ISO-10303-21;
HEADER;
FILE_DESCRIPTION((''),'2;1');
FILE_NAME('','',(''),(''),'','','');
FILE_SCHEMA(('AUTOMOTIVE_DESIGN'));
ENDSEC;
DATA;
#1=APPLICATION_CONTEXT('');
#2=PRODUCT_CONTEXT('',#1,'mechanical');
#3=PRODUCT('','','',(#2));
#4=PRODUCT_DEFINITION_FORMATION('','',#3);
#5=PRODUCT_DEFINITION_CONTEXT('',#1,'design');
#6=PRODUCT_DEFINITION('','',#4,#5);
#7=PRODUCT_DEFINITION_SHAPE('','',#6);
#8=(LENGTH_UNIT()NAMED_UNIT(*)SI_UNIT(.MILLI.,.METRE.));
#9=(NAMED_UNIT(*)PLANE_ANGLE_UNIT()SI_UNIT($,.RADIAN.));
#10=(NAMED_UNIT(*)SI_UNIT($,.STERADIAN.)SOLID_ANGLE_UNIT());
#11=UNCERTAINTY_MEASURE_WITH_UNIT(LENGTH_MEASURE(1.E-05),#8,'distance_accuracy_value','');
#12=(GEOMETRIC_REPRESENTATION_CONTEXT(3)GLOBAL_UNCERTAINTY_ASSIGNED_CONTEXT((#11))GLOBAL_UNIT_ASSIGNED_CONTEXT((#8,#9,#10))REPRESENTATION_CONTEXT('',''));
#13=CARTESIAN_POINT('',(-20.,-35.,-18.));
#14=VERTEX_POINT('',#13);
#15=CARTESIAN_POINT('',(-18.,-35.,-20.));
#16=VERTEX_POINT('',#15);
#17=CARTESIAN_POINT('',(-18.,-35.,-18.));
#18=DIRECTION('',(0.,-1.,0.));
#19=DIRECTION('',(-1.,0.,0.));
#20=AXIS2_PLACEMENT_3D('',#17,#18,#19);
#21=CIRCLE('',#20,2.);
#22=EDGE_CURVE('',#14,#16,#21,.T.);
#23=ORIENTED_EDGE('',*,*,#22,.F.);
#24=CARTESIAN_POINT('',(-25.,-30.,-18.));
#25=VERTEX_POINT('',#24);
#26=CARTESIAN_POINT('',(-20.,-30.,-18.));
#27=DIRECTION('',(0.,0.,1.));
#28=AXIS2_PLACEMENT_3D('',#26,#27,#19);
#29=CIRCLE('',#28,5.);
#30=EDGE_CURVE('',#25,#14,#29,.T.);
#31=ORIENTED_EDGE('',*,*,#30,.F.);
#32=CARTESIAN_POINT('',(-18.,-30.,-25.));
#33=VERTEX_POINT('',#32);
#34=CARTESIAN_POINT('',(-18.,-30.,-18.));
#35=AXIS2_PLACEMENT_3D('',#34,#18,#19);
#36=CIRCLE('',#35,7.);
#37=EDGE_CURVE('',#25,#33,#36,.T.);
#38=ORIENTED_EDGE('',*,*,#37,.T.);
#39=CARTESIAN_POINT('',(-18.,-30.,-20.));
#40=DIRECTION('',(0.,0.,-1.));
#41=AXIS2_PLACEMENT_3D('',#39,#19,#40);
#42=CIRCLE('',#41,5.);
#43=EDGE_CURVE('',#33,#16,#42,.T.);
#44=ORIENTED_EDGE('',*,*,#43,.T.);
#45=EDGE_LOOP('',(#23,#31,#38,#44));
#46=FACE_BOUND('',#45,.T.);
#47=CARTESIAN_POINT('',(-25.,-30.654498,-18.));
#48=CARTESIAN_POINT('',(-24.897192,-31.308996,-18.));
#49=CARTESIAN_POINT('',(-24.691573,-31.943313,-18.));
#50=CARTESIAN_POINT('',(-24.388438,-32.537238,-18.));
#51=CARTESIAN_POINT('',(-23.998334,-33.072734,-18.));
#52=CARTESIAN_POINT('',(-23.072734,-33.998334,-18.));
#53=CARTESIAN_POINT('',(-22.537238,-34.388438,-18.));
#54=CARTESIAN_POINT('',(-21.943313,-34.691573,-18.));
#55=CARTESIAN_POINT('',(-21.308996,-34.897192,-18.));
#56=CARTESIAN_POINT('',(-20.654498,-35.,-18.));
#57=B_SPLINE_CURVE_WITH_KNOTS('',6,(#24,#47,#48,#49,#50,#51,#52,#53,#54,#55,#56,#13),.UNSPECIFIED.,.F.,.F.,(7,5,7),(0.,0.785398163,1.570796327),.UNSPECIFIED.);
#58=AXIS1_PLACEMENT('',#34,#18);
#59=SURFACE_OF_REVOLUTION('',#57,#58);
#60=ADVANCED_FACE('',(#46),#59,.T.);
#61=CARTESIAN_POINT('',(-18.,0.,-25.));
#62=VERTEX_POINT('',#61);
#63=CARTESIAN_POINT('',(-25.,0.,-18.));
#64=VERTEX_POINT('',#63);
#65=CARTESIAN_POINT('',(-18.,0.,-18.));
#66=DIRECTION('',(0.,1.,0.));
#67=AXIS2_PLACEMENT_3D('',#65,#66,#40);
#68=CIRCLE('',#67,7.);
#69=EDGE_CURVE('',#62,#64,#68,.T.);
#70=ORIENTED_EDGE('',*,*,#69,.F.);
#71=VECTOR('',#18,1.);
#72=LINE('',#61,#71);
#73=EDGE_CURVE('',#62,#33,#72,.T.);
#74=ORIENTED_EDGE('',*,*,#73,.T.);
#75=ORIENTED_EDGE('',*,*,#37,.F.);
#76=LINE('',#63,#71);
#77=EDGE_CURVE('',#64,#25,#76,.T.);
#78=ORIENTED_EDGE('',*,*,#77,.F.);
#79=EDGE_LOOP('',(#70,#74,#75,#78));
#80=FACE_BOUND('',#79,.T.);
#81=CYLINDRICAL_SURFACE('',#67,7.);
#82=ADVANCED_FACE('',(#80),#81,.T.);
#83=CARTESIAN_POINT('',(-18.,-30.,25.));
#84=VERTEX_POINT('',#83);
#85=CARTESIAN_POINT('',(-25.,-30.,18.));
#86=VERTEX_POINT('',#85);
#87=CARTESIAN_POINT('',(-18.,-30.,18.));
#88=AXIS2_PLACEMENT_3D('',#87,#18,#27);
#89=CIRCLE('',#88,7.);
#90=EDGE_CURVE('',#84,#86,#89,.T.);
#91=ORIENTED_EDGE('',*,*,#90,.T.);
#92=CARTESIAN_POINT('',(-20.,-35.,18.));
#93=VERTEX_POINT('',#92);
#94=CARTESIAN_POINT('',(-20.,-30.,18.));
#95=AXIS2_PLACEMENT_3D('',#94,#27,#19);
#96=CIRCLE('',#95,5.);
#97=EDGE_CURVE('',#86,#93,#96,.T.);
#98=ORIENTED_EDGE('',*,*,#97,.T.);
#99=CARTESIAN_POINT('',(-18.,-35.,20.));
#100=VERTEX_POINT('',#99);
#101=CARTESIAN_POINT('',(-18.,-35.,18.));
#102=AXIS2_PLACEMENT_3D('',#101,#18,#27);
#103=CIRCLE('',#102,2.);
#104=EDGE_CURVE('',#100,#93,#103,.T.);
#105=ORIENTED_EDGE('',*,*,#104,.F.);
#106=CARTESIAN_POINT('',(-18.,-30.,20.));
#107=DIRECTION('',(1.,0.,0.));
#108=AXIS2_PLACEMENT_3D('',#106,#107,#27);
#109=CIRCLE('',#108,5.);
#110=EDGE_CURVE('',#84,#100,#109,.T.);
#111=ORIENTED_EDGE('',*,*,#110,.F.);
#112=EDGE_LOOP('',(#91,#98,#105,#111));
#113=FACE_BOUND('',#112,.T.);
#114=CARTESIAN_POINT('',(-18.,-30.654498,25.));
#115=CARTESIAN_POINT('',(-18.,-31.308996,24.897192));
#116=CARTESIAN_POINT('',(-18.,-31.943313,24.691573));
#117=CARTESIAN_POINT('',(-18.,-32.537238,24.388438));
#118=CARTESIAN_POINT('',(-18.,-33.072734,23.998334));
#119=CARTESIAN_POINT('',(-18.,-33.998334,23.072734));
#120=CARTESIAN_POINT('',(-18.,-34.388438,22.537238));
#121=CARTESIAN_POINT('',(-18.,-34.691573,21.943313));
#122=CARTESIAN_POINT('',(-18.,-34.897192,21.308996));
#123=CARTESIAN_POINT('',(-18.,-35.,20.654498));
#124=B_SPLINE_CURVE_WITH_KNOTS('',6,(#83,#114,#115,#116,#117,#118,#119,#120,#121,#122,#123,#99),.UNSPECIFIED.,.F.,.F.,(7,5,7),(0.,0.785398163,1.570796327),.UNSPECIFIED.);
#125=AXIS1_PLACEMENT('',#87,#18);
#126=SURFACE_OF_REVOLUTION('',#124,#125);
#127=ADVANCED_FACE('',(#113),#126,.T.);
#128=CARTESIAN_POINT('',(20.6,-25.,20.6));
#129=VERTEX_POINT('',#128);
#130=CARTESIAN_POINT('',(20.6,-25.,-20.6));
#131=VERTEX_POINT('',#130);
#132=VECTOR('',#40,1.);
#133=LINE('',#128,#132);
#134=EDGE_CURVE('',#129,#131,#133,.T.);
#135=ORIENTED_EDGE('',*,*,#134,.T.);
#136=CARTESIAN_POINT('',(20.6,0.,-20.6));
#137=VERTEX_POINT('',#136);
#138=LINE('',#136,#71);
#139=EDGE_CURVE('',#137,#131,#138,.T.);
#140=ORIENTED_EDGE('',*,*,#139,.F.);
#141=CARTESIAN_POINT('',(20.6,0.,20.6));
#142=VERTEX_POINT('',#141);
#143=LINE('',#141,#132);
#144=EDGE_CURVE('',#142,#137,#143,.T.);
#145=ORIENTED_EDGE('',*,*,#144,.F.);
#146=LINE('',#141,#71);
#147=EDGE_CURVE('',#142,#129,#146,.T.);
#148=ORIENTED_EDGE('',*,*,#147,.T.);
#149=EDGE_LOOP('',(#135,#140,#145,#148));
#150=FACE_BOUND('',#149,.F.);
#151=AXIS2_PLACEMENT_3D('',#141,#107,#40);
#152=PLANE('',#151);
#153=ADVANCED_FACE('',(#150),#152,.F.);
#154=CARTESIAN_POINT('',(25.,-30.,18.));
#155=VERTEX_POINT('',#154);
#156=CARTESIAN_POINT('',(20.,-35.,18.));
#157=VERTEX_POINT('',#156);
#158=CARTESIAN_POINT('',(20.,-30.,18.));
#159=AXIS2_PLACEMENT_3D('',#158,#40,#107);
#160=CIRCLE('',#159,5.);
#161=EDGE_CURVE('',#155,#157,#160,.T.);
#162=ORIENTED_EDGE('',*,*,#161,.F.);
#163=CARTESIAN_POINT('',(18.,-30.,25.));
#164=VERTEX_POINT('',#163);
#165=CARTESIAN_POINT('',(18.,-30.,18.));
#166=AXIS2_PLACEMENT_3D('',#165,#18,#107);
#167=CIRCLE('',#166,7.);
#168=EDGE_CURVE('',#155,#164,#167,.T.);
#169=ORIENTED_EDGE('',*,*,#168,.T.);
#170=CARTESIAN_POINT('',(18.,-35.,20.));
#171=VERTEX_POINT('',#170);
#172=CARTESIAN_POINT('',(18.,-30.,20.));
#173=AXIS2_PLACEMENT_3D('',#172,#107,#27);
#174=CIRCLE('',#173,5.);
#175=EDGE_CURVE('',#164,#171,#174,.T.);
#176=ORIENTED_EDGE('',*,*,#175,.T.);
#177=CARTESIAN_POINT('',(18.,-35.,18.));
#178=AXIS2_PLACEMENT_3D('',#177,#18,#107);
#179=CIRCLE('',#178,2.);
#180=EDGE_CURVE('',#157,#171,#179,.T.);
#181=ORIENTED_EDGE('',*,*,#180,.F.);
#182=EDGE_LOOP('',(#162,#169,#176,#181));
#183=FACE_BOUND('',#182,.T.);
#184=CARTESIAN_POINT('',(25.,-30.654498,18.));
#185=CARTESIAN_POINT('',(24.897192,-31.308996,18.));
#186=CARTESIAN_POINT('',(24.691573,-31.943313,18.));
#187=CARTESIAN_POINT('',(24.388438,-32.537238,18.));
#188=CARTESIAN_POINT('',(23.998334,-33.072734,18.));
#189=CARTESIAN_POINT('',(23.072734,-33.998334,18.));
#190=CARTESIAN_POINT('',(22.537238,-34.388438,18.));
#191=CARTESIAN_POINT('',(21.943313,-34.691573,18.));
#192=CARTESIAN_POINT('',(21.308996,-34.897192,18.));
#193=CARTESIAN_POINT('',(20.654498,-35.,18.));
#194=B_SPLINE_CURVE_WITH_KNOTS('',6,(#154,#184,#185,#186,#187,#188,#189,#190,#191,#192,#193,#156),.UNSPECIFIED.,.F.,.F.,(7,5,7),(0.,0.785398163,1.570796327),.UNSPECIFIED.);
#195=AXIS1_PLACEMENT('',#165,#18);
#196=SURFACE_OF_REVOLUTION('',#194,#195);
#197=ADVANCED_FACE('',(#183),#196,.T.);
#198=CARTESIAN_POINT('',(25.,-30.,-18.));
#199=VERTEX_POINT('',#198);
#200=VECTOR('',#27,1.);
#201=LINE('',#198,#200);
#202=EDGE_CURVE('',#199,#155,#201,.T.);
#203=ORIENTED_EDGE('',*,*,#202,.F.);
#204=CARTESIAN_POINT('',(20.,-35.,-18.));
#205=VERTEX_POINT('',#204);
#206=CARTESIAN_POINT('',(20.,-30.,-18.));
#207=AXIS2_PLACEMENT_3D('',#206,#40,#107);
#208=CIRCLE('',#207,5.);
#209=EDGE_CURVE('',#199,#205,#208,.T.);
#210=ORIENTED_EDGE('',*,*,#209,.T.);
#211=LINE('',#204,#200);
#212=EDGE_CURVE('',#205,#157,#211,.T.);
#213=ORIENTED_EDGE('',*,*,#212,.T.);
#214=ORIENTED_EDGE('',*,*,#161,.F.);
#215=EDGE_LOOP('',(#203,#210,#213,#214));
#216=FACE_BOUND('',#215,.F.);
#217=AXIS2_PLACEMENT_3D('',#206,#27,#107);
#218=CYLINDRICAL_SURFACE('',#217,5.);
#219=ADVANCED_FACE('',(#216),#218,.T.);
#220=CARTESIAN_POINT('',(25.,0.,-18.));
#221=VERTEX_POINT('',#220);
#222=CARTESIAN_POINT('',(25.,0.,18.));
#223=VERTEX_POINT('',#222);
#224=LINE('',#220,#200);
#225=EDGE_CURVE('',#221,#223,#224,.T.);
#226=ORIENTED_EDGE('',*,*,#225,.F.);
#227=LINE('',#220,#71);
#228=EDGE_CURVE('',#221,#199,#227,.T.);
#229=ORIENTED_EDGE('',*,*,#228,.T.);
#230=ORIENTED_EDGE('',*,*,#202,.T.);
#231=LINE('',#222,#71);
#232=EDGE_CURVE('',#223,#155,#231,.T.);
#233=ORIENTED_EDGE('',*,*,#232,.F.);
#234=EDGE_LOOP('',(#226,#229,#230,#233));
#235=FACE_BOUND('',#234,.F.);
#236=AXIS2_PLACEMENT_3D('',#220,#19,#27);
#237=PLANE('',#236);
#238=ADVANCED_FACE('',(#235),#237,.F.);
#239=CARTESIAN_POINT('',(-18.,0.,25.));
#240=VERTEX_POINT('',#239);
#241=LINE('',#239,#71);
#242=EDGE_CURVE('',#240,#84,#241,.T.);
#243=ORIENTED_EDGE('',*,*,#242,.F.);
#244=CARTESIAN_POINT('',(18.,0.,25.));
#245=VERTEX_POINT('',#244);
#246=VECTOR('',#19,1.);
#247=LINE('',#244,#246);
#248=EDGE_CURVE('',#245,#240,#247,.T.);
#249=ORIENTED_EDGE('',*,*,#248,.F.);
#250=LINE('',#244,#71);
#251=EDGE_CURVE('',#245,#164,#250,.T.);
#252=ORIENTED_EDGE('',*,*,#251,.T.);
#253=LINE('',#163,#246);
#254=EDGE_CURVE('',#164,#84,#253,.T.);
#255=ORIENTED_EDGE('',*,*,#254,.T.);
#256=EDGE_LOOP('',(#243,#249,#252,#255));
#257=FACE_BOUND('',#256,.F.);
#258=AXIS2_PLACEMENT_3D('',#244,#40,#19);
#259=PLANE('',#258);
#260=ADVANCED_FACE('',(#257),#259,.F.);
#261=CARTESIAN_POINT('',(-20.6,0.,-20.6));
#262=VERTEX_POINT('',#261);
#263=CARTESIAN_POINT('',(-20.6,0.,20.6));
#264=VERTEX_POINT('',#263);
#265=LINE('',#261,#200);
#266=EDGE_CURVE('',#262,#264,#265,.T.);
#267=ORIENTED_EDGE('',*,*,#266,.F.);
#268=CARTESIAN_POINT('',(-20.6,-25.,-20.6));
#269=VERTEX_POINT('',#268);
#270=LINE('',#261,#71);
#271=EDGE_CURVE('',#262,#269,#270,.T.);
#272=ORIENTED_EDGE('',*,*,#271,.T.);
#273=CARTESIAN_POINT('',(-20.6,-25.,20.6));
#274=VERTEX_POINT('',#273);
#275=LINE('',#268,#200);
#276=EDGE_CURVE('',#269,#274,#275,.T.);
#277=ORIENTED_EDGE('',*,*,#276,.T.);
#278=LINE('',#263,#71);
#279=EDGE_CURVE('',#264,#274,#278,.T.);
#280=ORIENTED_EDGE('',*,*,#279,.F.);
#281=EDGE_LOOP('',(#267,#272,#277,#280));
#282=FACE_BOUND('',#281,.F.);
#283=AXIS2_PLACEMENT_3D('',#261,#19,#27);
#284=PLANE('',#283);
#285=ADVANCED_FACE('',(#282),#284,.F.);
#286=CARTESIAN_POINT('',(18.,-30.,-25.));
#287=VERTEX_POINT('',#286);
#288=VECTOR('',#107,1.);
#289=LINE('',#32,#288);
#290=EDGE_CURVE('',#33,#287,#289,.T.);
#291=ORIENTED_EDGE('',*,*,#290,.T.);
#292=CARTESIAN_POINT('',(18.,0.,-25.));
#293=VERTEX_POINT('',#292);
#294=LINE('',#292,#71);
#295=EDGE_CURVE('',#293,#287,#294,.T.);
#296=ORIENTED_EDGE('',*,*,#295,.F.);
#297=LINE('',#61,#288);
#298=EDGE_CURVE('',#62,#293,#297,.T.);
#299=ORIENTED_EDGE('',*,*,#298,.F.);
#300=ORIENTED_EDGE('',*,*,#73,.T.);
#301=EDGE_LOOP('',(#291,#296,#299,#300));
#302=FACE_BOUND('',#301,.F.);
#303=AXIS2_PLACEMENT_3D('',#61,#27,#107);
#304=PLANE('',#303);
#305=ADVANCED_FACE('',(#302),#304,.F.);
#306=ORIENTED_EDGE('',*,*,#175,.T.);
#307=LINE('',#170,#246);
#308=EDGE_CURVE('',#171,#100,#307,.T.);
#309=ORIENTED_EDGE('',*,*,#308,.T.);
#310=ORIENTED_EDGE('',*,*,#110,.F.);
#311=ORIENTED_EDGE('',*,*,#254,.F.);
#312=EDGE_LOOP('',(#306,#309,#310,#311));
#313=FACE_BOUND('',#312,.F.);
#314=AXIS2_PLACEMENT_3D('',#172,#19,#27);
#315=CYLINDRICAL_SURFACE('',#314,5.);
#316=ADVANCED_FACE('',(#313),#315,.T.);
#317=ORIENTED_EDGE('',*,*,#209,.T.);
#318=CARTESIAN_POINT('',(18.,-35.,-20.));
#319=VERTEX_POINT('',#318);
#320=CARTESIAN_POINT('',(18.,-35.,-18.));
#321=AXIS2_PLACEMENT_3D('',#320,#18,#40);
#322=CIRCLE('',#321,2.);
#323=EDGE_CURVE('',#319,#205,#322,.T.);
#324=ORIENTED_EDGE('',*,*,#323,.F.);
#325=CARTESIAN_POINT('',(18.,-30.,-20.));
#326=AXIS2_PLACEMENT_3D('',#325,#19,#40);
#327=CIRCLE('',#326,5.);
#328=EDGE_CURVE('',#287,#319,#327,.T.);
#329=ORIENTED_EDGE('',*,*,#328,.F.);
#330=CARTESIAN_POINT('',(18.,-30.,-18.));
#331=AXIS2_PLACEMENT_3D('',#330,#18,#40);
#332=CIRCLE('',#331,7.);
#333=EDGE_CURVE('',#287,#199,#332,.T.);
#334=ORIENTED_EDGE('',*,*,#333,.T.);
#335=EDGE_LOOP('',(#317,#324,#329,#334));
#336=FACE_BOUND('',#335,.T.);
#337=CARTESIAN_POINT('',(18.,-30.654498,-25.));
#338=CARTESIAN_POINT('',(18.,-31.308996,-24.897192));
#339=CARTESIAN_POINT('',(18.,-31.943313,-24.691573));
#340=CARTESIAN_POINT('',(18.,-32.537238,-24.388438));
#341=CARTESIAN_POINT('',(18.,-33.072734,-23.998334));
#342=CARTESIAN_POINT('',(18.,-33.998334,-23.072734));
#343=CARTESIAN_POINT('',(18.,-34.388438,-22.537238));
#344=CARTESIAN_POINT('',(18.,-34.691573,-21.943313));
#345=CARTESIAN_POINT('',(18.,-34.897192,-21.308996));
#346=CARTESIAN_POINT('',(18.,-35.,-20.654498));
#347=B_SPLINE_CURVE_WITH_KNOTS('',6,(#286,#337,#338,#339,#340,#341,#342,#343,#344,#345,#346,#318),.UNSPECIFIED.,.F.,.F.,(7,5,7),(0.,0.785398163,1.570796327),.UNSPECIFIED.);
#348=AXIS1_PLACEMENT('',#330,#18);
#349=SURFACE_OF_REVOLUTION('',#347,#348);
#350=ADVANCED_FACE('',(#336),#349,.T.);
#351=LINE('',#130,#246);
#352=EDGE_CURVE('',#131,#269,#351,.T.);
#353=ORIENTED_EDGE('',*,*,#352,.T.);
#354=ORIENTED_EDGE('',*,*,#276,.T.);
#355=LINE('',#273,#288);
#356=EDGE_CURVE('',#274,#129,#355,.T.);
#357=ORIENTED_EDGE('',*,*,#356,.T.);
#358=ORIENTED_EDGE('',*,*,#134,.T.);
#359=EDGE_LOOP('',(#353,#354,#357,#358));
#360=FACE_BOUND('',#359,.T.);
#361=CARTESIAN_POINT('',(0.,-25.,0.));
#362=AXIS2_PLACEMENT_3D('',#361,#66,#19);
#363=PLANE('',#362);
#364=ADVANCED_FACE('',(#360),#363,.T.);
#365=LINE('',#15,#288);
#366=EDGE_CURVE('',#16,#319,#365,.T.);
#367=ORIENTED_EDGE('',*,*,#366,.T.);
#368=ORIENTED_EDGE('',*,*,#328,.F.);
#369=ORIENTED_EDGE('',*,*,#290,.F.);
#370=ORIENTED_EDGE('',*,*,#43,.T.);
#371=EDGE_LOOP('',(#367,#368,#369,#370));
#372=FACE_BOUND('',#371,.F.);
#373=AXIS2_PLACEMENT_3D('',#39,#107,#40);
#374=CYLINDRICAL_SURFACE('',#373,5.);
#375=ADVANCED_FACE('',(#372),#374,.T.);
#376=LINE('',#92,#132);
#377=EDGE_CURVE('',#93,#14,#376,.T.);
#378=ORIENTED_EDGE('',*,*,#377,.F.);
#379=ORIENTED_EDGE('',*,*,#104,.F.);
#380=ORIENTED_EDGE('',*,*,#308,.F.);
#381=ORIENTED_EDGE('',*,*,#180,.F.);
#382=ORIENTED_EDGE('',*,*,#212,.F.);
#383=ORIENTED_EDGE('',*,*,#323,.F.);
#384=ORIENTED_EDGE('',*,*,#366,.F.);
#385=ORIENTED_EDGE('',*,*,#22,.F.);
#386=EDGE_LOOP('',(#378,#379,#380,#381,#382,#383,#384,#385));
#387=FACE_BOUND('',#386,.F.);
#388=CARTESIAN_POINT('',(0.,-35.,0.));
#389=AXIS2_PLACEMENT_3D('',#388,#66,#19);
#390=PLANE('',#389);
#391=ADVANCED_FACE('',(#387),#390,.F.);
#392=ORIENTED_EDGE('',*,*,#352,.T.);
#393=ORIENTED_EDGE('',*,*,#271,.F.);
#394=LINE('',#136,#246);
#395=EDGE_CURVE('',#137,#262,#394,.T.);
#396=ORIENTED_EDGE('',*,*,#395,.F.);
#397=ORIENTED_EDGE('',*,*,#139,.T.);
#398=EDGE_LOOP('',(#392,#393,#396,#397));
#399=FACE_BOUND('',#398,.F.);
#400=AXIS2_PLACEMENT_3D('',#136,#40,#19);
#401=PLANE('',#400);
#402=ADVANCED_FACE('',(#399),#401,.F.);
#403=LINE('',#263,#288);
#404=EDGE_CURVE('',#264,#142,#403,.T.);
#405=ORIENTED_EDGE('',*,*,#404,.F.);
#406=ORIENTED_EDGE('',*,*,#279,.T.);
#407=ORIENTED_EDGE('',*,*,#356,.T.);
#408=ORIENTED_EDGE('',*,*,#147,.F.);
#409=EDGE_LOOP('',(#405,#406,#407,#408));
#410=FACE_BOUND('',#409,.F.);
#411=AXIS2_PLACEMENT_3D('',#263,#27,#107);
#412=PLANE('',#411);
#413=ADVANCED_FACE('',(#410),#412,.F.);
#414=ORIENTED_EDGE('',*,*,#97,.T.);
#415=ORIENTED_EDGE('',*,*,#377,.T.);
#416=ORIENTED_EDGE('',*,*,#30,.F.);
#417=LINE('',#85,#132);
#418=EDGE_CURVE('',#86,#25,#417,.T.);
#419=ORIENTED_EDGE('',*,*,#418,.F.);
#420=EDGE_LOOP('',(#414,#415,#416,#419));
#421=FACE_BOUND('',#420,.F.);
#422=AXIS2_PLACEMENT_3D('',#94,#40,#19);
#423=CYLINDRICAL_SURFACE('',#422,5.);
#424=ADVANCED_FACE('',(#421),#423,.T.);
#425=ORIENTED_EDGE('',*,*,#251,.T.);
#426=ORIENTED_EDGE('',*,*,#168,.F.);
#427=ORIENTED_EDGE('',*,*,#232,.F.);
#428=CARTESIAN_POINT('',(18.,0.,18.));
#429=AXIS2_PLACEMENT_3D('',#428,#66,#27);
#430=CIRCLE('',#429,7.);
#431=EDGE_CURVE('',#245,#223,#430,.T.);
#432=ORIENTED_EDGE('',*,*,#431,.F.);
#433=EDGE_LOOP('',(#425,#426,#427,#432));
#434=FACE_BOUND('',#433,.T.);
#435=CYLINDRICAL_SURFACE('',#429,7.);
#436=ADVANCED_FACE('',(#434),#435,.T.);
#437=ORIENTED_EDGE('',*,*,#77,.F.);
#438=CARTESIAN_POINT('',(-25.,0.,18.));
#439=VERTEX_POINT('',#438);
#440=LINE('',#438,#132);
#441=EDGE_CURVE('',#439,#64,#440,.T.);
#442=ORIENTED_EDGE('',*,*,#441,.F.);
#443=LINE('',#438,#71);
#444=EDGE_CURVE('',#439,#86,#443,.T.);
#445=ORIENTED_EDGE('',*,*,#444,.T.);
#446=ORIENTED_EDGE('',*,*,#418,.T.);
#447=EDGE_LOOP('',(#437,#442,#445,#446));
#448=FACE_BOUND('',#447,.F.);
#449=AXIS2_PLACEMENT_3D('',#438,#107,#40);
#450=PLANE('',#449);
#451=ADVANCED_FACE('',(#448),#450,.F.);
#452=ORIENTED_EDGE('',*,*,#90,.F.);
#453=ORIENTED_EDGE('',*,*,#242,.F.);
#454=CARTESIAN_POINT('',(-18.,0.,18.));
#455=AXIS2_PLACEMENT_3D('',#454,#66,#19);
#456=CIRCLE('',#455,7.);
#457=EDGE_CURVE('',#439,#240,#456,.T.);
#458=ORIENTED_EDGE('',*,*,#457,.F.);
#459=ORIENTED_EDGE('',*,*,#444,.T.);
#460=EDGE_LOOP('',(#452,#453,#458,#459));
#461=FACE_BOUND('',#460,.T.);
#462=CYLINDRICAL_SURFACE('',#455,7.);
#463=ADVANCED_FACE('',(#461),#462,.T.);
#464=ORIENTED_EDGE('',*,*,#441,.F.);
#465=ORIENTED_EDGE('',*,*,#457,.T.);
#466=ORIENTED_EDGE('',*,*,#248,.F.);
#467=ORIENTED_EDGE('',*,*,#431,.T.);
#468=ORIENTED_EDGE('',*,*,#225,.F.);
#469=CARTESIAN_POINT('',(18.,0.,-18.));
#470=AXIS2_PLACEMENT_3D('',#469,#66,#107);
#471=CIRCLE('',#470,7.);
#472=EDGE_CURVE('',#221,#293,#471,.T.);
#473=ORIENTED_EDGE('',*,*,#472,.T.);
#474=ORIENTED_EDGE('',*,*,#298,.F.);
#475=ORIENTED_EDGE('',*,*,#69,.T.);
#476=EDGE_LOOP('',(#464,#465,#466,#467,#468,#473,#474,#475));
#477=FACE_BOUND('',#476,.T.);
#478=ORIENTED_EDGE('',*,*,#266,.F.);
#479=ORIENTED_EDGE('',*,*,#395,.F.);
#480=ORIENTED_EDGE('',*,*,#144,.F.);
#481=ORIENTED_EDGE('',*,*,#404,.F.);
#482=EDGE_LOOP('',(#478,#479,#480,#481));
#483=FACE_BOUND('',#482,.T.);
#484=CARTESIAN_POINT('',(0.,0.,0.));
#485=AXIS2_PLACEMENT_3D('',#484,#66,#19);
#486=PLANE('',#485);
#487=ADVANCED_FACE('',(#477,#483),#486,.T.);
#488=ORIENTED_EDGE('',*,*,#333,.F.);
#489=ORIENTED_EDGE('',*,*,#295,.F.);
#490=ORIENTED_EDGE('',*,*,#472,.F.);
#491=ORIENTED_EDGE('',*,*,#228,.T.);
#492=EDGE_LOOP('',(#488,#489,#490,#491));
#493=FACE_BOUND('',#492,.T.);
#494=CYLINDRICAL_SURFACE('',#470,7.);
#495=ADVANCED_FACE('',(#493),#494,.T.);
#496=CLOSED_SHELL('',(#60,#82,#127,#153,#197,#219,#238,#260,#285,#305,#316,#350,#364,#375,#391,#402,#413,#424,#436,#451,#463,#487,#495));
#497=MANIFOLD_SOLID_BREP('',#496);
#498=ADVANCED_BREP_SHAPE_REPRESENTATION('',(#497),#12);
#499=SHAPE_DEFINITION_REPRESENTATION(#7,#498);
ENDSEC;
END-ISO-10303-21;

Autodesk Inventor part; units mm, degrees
ref_plane "YZ Plane" through (0, 0, 0) normal (1, 0, 0) x (0, 1, 0)
ref_plane "XZ Plane" through (0, 0, 0) normal (0, 1, 0) x (-1, 0, 0)
ref_plane "XY Plane" through (0, 0, 0) normal (0, 0, 1) x (1, 0, 0)
sketch "Sketch1" plane through (0, 0, 0) normal (0, 1, 0) x (-1, 0, 0)
  line L0 (-18, 25) -> (18, 25)
  line L1 (25, 18) -> (25, -18)
  line L2 (18, -25) -> (-18, -25)
  line L3 (-25, -18) -> (-25, 18)
  line L4 (-25, 25) -> (25, -25) construction
  line L5 (25, 25) -> (-25, -25) construction
  circle A0 centre (0, 0) radius 2.75
  arc A1 (25, 18) -> (18, 25) centre (18, 18) ccw
  arc A2 (18, -25) -> (25, -18) centre (18, -18) ccw
  arc A3 (-25, -18) -> (-18, -25) centre (-18, -18) ccw
  arc A4 (-18, 25) -> (-25, 18) centre (-18, 18) ccw
  line L6 (-20.2, 20.2) -> (20.2, 20.2)
  line L7 (20.2, 20.2) -> (20.2, -20.2)
  line L8 (20.2, -20.2) -> (-20.2, -20.2)
  line L9 (-20.2, -20.2) -> (-20.2, 20.2)
  line L10 (-20.2, 20.2) -> (20.2, -20.2) construction
  line L11 (20.2, 20.2) -> (-20.2, -20.2) construction
  line L12 (20.6, -20.6) -> (20.6, 20.6)
  line L13 (20.6, 20.6) -> (-20.6, 20.6)
  line L14 (-20.6, 20.6) -> (-20.6, -20.6)
  line L15 (-20.6, -20.6) -> (20.6, -20.6)
  dimension "d0" = 50
  dimension "d1" = 50
  dimension "d2" = 5.5
  dimension "d3" = 7
  dimension "d4" = 40.4
  dimension "d5" = 40.4
  dimension "d8" = 0.4
extrude "Extrusion1" add sketch "Sketch1" against normal blind 35 contours L0 A1 L1 A2 L2 A3 L3 A4 | A0 | L6 L7 L8 L9 | L15 L14 L13 L12
fillet "Fillet1" radius 5 8 edges at (0, -35, 25) (-22.9497, -35, 22.9497) (-25, -35, 0) (-22.9497, -35, -22.9497) (0, -35, -25) (22.9497, -35, -22.9497) (25, -35, 0) (22.9497, -35, 22.9497)
extrude "Extrusion2" cut sketch "Sketch1" against normal blind 25 contours A0 | L6 L7 L8 L9 | L15 L14 L13 L12
sketch "Sketch2" plane through (0, -35, 0) normal (0, -1, 0) x (1, 0, 0)
  circle A0 centre (0, 0) radius 2.75 projected
  line L0 (-10.5, 12.5) -> (10.5, 12.5) projected
  arc A1 (-10.5, 12.5) -> (-12.5, 10.5) centre (-10.5, 10.5) ccw projected
  line L1 (-12.5, -10.5) -> (-12.5, 10.5) projected
  arc A2 (-12.5, -10.5) -> (-10.5, -12.5) centre (-10.5, -10.5) ccw projected
  line L2 (10.5, -12.5) -> (-10.5, -12.5) projected
  arc A3 (10.5, -12.5) -> (12.5, -10.5) centre (10.5, -10.5) ccw projected
  line L3 (12.5, 10.5) -> (12.5, -10.5) projected
  arc A4 (12.5, 10.5) -> (10.5, 12.5) centre (10.5, 10.5) ccw projected
  circle A5 centre (0, 0) radius 5
  dimension "d12" = 10
properties part number "PATA_PLASTICO" material "Steel, Mild, Welded"
